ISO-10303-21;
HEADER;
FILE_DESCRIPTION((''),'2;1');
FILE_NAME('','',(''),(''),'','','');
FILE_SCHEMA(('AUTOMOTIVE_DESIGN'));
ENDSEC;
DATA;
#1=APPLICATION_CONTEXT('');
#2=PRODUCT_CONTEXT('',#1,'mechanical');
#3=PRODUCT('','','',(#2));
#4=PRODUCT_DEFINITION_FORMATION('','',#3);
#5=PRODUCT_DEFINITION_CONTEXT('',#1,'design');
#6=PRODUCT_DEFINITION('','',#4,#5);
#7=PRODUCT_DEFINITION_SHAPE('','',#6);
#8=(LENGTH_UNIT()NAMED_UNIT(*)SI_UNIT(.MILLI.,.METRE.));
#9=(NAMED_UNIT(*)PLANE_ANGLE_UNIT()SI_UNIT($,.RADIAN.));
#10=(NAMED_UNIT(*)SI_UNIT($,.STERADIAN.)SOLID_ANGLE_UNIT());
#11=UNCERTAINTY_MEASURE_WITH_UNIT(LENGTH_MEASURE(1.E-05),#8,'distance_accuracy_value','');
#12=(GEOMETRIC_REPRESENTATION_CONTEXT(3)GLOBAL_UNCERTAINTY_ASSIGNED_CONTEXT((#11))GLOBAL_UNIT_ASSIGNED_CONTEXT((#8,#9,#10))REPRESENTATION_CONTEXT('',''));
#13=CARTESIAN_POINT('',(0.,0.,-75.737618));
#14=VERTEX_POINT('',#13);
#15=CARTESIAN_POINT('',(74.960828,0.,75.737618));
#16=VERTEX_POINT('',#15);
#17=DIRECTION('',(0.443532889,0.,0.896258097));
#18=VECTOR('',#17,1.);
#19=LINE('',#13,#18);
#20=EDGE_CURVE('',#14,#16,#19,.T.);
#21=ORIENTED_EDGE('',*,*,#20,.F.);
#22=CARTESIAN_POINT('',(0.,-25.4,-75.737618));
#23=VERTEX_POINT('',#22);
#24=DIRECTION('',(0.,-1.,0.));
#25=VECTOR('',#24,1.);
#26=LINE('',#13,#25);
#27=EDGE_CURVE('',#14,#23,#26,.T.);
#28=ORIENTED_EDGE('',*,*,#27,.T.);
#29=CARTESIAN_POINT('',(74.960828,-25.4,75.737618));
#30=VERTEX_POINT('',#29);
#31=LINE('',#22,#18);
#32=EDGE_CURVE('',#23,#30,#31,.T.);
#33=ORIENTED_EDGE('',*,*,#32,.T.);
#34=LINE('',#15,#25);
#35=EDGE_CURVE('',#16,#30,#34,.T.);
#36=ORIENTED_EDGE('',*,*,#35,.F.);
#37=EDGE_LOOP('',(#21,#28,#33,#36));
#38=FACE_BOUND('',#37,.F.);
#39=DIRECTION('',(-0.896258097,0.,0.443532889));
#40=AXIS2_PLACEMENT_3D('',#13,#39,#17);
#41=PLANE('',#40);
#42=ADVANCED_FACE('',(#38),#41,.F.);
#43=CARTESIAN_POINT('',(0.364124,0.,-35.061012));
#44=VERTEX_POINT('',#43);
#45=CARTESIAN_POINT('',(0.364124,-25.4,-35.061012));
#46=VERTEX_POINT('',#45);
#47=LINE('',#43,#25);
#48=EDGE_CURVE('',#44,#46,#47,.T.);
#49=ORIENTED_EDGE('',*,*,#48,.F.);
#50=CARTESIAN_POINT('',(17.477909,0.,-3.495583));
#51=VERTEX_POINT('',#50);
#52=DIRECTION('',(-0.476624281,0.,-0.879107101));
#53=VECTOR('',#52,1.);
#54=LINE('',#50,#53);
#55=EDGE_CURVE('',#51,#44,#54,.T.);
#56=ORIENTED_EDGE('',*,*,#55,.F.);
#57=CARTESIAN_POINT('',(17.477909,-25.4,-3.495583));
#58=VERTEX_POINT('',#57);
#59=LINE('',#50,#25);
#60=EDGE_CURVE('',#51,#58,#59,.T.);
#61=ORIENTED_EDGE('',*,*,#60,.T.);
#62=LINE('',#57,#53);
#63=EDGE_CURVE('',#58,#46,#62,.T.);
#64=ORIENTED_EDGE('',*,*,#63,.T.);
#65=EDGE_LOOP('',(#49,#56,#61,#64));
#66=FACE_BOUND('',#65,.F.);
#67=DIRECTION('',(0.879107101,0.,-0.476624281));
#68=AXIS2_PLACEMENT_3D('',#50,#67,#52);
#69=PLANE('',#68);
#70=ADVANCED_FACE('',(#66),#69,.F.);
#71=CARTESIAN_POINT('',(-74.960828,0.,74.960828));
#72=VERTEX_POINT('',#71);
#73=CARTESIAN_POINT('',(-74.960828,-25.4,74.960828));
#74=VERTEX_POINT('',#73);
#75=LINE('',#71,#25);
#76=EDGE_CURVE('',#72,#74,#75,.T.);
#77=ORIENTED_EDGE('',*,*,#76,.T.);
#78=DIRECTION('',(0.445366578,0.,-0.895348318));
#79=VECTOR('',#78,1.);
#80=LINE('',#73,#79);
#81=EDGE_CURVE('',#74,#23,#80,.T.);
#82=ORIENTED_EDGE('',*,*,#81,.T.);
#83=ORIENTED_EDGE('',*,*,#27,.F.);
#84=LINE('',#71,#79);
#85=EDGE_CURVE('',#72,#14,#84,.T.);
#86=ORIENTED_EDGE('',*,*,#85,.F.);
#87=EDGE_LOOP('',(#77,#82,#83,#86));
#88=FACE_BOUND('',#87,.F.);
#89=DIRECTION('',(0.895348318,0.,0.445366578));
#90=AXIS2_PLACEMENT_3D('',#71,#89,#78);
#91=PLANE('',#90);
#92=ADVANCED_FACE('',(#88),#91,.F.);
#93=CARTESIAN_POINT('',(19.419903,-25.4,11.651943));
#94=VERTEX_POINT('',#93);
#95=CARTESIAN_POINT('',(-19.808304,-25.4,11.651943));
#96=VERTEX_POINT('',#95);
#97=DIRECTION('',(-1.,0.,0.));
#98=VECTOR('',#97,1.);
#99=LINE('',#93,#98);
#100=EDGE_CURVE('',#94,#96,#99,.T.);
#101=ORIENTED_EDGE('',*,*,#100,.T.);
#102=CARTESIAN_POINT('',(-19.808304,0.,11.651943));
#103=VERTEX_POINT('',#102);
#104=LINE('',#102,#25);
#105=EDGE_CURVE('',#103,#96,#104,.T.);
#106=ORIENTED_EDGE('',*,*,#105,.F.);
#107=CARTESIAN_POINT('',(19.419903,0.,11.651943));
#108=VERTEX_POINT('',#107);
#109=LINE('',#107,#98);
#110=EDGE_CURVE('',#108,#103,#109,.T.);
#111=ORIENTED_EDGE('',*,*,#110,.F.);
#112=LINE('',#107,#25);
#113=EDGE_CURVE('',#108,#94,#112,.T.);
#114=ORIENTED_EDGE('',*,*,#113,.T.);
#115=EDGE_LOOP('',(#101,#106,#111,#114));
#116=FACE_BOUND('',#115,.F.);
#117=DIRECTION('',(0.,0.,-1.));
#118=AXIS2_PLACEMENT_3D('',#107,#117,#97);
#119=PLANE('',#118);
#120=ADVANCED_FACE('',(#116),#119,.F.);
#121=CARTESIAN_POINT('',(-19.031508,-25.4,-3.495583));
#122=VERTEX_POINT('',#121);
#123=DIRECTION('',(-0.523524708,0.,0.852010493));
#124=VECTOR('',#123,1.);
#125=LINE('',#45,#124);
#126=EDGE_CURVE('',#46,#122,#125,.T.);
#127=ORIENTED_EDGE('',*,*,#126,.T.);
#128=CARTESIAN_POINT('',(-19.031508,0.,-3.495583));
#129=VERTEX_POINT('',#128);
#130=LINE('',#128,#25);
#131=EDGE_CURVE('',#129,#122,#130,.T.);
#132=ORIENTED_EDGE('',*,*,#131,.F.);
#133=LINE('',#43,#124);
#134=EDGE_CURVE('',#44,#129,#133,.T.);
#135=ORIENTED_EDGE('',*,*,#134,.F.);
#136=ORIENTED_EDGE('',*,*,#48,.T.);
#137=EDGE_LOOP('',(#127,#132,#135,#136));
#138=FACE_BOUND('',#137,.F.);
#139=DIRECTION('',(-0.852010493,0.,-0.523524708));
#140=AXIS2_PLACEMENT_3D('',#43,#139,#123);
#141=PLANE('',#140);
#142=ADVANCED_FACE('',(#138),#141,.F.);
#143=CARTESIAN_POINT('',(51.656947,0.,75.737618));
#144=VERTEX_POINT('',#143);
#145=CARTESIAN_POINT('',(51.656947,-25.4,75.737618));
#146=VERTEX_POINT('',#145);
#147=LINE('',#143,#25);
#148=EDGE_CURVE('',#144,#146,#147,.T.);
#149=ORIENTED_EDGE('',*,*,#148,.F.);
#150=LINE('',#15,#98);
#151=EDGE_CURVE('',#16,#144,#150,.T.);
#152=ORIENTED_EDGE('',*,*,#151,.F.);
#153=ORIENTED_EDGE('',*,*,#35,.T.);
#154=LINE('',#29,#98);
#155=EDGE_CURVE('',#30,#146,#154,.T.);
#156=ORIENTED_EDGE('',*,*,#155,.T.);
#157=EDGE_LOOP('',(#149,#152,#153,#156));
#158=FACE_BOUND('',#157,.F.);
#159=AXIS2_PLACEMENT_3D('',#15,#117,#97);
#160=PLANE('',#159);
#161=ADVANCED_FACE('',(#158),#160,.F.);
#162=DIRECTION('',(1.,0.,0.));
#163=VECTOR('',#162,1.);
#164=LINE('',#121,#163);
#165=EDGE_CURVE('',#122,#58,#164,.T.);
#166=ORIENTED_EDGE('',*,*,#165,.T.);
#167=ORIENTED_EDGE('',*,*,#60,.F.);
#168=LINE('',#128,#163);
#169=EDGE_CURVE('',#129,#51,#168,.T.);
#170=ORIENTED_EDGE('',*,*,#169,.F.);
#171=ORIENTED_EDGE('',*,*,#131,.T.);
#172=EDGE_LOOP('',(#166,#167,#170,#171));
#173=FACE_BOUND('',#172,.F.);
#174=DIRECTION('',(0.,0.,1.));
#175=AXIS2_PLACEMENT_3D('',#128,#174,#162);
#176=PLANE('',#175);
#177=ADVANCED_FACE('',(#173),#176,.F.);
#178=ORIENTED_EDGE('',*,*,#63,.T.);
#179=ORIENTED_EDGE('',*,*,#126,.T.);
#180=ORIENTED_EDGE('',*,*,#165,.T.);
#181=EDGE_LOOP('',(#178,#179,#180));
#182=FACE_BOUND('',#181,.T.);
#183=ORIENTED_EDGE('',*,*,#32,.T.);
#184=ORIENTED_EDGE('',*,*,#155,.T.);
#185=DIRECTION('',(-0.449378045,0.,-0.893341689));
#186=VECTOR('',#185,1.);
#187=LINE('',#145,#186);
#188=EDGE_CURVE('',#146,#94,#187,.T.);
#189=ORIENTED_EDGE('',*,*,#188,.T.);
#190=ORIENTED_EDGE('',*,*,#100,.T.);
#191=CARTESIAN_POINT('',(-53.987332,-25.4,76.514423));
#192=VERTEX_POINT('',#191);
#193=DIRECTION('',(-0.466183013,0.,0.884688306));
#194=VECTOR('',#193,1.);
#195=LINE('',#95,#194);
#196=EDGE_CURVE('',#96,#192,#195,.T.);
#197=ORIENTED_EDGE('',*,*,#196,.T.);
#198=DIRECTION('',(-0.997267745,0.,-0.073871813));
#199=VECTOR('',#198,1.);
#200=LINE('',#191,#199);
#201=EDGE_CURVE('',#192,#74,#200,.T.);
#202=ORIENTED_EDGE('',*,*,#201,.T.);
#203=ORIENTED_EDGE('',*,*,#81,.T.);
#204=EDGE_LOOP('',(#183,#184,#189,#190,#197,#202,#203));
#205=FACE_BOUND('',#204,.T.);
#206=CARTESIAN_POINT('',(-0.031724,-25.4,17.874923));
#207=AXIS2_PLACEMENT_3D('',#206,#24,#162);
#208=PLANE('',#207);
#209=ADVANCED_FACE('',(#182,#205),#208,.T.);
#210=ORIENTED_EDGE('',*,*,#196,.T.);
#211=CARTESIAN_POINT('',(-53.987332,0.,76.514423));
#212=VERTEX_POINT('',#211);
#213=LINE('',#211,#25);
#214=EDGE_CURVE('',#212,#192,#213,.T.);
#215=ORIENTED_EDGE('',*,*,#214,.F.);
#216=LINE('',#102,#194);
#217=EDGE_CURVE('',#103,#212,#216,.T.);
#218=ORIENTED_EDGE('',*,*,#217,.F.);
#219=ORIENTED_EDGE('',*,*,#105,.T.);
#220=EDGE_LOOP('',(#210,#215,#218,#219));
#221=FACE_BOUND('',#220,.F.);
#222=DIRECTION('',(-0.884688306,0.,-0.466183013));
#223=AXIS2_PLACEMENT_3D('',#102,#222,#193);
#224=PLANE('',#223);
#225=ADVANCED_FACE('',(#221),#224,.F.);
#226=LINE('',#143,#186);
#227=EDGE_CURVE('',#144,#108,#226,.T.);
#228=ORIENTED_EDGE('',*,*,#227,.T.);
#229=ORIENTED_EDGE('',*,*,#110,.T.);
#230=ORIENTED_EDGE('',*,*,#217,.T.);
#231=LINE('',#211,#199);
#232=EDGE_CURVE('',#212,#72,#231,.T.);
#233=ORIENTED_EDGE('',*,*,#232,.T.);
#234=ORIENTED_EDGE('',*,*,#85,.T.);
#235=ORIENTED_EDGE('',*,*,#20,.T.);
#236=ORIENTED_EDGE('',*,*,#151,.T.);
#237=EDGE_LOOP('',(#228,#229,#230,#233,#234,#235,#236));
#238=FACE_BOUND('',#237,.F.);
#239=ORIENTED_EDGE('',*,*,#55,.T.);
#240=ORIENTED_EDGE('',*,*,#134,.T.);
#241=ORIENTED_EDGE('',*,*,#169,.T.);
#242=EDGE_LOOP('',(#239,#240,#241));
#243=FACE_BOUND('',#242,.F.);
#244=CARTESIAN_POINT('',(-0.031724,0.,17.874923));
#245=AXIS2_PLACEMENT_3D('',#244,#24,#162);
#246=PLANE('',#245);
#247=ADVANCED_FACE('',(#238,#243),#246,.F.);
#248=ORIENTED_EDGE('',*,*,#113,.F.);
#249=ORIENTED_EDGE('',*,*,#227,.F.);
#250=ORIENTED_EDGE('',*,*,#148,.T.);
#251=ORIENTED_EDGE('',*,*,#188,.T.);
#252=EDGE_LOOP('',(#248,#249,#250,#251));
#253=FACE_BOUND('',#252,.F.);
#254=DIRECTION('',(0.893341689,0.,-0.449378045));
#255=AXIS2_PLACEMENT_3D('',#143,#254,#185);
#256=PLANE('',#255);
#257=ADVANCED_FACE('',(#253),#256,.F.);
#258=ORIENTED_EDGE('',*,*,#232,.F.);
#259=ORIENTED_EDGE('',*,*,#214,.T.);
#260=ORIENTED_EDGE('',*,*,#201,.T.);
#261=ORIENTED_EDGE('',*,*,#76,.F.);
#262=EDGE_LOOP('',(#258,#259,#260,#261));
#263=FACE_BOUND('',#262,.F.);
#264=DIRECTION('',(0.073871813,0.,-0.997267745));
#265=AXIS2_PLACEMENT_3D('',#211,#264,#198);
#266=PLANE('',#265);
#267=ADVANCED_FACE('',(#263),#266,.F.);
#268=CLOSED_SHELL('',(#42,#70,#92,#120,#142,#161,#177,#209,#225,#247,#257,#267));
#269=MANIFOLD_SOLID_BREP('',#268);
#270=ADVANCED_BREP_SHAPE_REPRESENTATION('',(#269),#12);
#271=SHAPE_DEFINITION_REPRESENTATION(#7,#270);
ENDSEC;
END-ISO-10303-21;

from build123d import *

# Parameters (mm, degrees)
F1_DEPTH = 25.4


with BuildPart() as f1:
    # F0 (on Front) → F1 (new body)
    with BuildSketch(Plane.XZ):
        Polygon((-53.987332, 76.514423), (-74.960828, 74.960828), (0, -75.737618), (74.960828, 75.737618), (51.656947, 75.737618), (19.419903, 11.651943), (-19.808304, 11.651943), align=None)
        Polygon((0.364124, -35.061012), (-19.031508, -3.495583), (17.477909, -3.495583), align=None, mode=Mode.SUBTRACT)
    extrude(amount=F1_DEPTH)


solid = f1.part
